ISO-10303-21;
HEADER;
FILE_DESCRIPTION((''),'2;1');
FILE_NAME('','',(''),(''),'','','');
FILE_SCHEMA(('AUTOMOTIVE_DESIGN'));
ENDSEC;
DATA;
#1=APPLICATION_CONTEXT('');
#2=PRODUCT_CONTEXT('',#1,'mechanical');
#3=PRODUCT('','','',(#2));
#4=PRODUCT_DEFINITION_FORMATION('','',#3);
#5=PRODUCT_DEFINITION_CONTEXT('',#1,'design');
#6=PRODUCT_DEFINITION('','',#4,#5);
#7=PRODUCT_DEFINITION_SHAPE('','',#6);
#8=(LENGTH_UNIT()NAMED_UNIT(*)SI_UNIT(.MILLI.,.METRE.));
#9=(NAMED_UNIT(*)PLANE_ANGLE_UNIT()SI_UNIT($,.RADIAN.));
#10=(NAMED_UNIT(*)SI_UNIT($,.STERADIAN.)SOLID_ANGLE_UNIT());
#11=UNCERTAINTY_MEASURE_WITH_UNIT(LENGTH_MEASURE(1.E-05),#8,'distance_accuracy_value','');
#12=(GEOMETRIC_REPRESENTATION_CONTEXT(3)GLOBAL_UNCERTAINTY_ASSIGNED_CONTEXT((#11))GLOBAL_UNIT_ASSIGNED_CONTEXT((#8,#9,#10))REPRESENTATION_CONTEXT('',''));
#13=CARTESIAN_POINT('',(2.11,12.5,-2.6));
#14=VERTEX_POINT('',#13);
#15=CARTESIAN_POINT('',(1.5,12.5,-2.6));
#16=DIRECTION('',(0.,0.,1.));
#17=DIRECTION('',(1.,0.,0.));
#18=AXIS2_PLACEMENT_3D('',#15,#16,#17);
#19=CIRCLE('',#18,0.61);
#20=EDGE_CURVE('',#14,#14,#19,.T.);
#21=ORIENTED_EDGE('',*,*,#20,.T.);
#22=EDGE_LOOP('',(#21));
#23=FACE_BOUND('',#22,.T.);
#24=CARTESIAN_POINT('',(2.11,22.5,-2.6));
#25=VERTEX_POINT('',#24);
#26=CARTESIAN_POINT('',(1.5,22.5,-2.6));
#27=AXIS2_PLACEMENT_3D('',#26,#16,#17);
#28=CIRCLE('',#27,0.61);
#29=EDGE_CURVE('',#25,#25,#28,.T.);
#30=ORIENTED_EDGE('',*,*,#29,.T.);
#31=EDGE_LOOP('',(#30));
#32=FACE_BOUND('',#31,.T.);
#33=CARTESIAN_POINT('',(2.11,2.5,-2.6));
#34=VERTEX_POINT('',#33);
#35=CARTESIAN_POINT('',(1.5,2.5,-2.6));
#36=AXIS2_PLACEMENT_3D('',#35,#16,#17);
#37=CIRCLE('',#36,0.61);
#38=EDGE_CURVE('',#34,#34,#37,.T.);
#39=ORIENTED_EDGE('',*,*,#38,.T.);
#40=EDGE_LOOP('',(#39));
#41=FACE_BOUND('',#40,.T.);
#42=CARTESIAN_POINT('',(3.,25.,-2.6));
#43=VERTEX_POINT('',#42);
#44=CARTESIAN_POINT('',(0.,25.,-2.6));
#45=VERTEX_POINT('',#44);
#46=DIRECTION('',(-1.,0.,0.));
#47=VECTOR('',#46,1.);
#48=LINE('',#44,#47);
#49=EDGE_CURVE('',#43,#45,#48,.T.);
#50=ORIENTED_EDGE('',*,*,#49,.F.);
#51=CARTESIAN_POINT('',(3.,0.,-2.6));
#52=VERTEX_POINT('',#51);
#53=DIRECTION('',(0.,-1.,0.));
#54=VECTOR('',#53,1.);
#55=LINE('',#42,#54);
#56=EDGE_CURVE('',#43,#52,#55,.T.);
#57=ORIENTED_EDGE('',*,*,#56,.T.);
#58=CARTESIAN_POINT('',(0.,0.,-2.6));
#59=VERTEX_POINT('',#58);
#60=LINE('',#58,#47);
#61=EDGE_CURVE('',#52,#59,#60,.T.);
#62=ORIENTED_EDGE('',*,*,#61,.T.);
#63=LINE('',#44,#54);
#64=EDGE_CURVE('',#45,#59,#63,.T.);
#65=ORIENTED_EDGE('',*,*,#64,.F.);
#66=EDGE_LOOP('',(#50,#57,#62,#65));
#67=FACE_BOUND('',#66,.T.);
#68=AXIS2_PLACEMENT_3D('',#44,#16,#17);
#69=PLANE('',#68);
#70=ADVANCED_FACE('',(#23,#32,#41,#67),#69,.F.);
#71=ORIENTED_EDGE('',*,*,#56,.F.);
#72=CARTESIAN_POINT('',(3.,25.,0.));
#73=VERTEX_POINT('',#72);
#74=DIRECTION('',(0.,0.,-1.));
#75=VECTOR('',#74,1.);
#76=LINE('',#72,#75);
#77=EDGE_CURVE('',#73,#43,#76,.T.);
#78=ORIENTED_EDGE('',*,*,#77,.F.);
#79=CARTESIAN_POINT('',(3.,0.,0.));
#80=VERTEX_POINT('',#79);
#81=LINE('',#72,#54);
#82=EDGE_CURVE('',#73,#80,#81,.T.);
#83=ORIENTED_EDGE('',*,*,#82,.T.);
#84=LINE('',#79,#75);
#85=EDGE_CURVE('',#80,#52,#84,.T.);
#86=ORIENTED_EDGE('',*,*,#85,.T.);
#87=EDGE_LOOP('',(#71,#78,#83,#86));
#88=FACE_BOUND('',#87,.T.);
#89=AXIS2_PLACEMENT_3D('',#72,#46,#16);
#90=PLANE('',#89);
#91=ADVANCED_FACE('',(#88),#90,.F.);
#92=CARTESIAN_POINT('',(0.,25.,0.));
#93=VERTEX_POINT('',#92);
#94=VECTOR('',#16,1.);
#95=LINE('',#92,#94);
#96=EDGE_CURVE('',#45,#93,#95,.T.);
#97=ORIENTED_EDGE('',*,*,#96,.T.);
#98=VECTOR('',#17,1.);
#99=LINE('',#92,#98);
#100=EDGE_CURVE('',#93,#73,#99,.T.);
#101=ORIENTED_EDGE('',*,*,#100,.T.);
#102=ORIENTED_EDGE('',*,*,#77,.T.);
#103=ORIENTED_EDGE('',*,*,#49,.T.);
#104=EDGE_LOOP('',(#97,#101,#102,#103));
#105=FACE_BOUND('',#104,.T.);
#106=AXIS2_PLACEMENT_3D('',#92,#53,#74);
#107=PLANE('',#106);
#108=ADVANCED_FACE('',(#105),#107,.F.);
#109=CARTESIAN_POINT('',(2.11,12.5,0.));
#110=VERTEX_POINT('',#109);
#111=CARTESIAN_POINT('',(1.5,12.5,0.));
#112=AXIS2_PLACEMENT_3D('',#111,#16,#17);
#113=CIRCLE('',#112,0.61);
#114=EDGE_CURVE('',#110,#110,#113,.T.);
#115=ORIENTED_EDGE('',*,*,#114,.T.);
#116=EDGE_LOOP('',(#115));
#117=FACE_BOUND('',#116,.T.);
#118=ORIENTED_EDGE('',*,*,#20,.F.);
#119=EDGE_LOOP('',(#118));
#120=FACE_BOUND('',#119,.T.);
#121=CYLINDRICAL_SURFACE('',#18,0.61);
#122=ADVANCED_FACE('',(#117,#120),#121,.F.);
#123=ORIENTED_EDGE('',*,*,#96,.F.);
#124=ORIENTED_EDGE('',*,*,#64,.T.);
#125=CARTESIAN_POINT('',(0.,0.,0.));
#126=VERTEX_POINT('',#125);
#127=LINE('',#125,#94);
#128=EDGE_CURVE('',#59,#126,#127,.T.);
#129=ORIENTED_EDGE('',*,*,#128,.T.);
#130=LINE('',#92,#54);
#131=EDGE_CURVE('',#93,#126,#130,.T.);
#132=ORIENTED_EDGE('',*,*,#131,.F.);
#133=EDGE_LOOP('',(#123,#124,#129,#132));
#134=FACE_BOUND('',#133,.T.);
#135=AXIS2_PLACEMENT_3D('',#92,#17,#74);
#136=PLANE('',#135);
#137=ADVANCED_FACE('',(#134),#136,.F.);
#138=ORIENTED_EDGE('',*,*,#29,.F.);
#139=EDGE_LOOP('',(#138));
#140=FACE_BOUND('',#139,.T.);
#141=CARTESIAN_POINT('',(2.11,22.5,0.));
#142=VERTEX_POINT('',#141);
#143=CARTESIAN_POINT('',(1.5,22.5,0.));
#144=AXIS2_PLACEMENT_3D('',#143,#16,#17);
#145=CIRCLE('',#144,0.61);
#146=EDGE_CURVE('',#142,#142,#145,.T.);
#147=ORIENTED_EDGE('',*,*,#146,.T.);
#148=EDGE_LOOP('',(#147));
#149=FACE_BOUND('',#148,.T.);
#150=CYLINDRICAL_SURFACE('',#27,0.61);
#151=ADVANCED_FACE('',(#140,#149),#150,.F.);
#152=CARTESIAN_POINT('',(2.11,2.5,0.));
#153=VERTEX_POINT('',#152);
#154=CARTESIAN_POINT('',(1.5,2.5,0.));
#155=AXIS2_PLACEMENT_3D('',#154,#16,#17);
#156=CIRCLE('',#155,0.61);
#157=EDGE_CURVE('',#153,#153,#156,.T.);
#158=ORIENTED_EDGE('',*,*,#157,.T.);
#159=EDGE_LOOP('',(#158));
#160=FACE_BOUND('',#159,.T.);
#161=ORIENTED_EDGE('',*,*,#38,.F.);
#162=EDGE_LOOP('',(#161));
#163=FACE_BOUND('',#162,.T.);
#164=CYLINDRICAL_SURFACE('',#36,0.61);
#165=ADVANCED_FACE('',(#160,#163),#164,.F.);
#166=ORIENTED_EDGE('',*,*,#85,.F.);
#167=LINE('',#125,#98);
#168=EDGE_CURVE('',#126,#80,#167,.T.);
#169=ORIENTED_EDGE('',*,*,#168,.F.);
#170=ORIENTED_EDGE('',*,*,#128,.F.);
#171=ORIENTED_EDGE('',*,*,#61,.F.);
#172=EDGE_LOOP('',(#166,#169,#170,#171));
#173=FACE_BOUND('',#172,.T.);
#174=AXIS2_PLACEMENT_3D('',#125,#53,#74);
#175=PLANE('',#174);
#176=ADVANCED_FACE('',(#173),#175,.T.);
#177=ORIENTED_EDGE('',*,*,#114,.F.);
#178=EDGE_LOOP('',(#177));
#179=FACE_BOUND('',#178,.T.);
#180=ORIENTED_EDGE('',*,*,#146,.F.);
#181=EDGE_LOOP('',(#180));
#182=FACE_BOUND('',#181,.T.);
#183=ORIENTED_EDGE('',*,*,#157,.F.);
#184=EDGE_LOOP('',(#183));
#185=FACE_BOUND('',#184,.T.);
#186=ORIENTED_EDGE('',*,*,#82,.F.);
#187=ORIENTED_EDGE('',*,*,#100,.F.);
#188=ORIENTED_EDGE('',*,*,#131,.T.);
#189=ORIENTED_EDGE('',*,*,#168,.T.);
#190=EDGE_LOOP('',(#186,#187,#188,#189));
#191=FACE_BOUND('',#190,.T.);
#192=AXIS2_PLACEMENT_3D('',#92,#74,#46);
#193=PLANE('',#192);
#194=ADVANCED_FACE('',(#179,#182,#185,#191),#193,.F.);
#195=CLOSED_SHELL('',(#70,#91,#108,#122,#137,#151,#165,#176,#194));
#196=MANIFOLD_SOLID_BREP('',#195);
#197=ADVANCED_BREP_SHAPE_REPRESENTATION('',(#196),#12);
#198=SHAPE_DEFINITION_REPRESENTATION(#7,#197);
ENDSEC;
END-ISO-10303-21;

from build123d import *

# Parameters (mm, degrees)
SKETCH1_W           = 3
SKETCH1_H           = 2.6
BOSS_EXTRUDE1_DEPTH = 25
SKETCH2_R           = 0.61
CUT_EXTRUDE1_DEPTH  = 3.6


with BuildPart() as part:
    # Sketch1 → Boss-Extrude1 (new body)
    with BuildSketch(Plane(origin=(0, 0, 0), x_dir=(1, 0, 0), z_dir=(0, 1, 0))):
        with Locations((1.5, 1.3)):
            Rectangle(SKETCH1_W, SKETCH1_H)
    extrude(amount=BOSS_EXTRUDE1_DEPTH)

    # Sketch2 → Cut-Extrude1 (cut, through all)
    with BuildSketch(Plane.XY):
        with Locations((1.5, 22.5)):
            Circle(SKETCH2_R)
        with Locations((1.5, 12.5)):
            Circle(SKETCH2_R)
        with Locations((1.5, 2.5)):
            Circle(SKETCH2_R)
    extrude(amount=-CUT_EXTRUDE1_DEPTH, mode=Mode.SUBTRACT)


solid = part.part
